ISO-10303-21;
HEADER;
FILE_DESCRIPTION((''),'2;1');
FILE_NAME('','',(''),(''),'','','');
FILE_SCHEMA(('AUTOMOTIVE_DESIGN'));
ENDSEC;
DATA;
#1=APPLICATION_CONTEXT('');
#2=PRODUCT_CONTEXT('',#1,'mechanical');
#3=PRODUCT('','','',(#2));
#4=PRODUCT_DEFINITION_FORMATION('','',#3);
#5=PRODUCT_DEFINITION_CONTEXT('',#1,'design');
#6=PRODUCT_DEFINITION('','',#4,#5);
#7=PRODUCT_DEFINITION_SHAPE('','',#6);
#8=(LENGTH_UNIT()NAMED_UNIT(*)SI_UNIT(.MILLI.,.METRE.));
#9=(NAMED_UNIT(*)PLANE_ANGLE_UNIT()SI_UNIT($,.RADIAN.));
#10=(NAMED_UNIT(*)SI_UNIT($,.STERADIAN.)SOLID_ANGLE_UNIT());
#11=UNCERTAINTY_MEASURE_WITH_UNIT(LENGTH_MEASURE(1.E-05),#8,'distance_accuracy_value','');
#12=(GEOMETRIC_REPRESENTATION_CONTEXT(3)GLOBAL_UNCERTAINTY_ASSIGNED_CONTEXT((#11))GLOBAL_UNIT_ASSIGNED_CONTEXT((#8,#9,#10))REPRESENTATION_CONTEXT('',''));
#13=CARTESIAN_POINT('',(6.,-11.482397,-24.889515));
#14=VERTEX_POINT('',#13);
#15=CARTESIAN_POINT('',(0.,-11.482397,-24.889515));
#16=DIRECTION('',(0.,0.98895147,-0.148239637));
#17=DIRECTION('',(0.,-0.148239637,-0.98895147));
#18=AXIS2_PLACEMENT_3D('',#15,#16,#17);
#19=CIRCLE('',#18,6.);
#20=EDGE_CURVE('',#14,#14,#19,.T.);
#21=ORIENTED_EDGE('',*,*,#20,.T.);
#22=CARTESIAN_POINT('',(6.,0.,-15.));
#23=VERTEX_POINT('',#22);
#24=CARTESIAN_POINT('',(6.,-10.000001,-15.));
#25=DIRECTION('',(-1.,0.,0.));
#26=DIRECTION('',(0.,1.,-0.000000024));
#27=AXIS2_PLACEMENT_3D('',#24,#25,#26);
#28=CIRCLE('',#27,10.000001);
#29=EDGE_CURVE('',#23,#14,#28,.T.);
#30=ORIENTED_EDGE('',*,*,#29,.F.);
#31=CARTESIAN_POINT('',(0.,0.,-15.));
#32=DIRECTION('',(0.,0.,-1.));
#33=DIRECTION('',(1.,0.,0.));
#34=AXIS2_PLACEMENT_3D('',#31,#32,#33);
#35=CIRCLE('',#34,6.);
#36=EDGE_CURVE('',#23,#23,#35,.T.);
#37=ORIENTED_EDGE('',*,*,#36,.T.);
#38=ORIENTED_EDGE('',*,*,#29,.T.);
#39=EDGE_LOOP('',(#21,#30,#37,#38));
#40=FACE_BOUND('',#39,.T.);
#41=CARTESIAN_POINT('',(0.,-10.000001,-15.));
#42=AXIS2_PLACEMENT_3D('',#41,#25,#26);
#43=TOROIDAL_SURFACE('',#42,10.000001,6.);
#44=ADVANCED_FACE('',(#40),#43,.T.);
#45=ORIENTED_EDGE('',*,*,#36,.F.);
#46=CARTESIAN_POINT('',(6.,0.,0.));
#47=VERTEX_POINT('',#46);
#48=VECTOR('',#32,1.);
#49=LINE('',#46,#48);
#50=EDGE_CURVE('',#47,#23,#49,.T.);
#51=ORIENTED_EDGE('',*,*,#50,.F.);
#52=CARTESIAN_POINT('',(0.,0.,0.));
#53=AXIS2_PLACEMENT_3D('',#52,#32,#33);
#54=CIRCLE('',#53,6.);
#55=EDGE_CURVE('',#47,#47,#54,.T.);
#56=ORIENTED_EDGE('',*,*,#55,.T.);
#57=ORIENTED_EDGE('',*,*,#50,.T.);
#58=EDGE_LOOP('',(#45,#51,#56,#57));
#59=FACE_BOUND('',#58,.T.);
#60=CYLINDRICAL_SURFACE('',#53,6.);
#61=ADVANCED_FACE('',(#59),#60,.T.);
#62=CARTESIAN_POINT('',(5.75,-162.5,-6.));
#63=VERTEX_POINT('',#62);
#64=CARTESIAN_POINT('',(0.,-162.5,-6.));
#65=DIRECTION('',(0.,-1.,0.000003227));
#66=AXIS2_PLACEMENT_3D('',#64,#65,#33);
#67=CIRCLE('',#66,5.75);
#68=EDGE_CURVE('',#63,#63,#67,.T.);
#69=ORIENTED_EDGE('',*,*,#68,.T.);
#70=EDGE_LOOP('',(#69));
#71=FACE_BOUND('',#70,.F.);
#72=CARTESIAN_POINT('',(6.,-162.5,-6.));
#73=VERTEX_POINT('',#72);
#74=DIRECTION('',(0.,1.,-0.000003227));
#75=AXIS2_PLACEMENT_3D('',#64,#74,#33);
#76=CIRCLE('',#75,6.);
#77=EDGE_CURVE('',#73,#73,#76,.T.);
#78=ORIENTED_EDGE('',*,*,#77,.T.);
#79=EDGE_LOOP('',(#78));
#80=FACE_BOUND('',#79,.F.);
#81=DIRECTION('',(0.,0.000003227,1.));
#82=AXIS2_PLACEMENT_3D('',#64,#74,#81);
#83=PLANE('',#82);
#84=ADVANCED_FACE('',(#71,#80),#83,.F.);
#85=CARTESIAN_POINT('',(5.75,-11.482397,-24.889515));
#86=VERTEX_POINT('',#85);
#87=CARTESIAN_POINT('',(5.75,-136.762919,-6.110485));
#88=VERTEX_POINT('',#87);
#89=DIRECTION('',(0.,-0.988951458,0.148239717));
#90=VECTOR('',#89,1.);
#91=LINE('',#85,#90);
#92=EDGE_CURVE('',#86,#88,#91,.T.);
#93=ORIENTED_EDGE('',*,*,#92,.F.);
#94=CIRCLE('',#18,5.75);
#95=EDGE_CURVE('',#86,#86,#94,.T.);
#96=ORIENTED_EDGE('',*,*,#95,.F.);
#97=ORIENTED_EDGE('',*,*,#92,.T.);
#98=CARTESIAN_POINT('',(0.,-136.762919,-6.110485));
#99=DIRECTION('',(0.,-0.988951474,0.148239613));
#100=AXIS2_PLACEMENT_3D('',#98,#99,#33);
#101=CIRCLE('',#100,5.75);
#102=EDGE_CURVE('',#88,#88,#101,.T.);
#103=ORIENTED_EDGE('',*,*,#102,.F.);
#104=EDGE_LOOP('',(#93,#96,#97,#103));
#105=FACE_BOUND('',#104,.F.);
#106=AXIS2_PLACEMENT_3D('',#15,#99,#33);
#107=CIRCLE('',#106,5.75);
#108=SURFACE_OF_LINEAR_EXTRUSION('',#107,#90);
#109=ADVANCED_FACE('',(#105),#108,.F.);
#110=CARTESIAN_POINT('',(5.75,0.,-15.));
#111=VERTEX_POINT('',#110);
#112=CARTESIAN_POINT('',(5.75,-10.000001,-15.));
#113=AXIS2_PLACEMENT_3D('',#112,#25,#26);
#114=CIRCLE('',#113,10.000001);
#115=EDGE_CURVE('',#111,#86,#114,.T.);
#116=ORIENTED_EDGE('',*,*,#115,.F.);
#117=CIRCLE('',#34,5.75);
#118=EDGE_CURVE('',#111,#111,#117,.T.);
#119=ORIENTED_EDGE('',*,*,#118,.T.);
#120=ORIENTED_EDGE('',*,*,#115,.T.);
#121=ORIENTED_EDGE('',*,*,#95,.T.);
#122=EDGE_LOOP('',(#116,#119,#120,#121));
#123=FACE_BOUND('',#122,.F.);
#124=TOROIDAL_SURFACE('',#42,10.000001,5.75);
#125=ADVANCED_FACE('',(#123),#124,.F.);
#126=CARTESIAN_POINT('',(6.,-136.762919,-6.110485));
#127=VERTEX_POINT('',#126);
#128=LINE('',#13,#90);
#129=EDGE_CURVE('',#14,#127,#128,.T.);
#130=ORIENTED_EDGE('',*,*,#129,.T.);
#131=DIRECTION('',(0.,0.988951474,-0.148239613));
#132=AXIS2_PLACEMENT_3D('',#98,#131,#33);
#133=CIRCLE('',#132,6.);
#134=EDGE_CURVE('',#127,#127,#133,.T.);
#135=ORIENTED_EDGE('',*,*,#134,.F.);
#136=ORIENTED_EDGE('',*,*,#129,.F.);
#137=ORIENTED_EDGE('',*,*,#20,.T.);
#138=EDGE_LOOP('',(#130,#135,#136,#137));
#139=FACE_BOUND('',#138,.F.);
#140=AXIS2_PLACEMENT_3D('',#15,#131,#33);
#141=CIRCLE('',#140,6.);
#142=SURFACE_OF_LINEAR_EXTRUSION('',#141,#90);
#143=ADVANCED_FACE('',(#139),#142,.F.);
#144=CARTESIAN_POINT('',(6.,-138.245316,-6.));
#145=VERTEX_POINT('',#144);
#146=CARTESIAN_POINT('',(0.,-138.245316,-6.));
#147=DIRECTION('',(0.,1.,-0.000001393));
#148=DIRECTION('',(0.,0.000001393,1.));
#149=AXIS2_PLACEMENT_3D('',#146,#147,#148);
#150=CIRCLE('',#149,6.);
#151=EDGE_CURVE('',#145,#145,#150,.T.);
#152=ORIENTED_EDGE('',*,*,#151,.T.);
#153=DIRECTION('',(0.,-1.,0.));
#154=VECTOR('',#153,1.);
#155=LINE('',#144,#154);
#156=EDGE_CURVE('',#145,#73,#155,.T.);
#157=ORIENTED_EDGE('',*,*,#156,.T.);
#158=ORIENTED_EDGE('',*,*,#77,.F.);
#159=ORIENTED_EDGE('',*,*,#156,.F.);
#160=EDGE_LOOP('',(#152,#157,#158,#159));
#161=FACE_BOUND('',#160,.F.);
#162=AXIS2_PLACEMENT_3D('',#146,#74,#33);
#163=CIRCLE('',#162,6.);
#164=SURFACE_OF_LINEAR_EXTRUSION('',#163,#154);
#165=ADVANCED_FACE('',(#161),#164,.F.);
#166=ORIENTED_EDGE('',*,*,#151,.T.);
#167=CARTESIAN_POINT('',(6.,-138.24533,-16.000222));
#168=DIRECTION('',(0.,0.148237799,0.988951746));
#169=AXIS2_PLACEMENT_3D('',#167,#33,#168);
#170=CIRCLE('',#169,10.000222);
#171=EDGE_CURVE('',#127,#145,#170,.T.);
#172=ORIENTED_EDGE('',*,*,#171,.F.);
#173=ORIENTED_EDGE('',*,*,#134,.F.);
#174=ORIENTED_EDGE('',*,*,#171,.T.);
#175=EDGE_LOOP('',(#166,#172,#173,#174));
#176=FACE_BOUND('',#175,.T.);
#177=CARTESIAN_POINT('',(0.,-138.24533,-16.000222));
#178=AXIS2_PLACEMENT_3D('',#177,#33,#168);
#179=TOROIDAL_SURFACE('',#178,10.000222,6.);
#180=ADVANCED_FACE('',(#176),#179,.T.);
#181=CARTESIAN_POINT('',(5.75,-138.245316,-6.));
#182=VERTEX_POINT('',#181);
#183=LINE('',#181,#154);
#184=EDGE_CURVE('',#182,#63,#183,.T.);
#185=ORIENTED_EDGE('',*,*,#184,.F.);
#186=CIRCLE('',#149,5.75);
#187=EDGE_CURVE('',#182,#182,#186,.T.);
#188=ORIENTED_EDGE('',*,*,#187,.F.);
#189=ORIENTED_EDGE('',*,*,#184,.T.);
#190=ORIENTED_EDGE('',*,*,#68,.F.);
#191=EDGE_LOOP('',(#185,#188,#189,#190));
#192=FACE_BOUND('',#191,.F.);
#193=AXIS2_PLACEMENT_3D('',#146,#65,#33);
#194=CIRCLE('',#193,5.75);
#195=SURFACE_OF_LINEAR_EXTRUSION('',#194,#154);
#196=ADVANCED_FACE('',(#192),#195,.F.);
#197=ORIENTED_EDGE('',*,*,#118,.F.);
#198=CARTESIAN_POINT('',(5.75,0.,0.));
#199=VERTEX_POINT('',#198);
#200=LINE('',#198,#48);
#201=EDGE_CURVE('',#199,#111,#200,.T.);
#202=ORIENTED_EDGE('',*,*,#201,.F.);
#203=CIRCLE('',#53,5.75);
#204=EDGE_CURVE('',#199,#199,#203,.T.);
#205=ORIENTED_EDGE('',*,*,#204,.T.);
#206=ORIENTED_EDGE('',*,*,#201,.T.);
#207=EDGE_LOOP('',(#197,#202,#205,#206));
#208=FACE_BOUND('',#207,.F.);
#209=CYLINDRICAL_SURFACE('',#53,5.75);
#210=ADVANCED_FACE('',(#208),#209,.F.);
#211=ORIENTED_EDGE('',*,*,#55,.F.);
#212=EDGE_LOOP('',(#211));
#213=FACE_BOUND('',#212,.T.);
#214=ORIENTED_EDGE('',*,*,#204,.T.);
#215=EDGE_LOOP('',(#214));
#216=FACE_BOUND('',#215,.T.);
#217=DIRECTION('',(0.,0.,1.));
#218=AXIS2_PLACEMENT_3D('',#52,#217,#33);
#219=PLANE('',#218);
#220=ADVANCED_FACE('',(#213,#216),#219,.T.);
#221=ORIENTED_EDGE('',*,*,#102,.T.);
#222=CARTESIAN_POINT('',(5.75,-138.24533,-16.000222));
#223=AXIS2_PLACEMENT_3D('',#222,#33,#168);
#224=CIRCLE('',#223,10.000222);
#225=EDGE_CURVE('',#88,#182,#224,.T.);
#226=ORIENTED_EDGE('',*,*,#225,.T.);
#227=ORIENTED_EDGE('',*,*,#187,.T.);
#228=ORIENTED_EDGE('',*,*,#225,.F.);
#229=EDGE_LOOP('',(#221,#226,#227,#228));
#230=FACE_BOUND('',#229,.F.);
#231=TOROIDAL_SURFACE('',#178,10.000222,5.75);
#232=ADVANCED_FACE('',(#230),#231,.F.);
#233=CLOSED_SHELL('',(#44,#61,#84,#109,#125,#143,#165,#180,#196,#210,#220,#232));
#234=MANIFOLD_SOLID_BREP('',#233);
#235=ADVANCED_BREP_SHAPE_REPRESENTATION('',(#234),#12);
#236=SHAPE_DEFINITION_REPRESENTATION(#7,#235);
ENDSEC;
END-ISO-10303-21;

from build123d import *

# Parameters (mm, degrees)
F1_R   = 6
F1_R_2 = 5.75


with BuildPart() as f2:
    # F2: sweep along a path in F0
    with BuildLine(Plane.YZ) as f2_path:
        Line((0, 0), (0, -15))
        ThreePointArc((0, -15), (-3.474051, -22.57707), (-11.482397, -24.889515))
        Line((-11.482397, -24.889515), (-136.762919, -6.110485))
        ThreePointArc((-136.762919, -6.110485), (-137.502062, -6.02766), (-138.245316, -6))
        Line((-138.245316, -6), (-162.5, -6))
    # F1 (on Top) → F2 (sweep)
    with BuildSketch(Plane.XY):
        Circle(F1_R)
        Circle(F1_R_2, mode=Mode.SUBTRACT)
    sweep(path=f2_path.line)


solid = f2.part
